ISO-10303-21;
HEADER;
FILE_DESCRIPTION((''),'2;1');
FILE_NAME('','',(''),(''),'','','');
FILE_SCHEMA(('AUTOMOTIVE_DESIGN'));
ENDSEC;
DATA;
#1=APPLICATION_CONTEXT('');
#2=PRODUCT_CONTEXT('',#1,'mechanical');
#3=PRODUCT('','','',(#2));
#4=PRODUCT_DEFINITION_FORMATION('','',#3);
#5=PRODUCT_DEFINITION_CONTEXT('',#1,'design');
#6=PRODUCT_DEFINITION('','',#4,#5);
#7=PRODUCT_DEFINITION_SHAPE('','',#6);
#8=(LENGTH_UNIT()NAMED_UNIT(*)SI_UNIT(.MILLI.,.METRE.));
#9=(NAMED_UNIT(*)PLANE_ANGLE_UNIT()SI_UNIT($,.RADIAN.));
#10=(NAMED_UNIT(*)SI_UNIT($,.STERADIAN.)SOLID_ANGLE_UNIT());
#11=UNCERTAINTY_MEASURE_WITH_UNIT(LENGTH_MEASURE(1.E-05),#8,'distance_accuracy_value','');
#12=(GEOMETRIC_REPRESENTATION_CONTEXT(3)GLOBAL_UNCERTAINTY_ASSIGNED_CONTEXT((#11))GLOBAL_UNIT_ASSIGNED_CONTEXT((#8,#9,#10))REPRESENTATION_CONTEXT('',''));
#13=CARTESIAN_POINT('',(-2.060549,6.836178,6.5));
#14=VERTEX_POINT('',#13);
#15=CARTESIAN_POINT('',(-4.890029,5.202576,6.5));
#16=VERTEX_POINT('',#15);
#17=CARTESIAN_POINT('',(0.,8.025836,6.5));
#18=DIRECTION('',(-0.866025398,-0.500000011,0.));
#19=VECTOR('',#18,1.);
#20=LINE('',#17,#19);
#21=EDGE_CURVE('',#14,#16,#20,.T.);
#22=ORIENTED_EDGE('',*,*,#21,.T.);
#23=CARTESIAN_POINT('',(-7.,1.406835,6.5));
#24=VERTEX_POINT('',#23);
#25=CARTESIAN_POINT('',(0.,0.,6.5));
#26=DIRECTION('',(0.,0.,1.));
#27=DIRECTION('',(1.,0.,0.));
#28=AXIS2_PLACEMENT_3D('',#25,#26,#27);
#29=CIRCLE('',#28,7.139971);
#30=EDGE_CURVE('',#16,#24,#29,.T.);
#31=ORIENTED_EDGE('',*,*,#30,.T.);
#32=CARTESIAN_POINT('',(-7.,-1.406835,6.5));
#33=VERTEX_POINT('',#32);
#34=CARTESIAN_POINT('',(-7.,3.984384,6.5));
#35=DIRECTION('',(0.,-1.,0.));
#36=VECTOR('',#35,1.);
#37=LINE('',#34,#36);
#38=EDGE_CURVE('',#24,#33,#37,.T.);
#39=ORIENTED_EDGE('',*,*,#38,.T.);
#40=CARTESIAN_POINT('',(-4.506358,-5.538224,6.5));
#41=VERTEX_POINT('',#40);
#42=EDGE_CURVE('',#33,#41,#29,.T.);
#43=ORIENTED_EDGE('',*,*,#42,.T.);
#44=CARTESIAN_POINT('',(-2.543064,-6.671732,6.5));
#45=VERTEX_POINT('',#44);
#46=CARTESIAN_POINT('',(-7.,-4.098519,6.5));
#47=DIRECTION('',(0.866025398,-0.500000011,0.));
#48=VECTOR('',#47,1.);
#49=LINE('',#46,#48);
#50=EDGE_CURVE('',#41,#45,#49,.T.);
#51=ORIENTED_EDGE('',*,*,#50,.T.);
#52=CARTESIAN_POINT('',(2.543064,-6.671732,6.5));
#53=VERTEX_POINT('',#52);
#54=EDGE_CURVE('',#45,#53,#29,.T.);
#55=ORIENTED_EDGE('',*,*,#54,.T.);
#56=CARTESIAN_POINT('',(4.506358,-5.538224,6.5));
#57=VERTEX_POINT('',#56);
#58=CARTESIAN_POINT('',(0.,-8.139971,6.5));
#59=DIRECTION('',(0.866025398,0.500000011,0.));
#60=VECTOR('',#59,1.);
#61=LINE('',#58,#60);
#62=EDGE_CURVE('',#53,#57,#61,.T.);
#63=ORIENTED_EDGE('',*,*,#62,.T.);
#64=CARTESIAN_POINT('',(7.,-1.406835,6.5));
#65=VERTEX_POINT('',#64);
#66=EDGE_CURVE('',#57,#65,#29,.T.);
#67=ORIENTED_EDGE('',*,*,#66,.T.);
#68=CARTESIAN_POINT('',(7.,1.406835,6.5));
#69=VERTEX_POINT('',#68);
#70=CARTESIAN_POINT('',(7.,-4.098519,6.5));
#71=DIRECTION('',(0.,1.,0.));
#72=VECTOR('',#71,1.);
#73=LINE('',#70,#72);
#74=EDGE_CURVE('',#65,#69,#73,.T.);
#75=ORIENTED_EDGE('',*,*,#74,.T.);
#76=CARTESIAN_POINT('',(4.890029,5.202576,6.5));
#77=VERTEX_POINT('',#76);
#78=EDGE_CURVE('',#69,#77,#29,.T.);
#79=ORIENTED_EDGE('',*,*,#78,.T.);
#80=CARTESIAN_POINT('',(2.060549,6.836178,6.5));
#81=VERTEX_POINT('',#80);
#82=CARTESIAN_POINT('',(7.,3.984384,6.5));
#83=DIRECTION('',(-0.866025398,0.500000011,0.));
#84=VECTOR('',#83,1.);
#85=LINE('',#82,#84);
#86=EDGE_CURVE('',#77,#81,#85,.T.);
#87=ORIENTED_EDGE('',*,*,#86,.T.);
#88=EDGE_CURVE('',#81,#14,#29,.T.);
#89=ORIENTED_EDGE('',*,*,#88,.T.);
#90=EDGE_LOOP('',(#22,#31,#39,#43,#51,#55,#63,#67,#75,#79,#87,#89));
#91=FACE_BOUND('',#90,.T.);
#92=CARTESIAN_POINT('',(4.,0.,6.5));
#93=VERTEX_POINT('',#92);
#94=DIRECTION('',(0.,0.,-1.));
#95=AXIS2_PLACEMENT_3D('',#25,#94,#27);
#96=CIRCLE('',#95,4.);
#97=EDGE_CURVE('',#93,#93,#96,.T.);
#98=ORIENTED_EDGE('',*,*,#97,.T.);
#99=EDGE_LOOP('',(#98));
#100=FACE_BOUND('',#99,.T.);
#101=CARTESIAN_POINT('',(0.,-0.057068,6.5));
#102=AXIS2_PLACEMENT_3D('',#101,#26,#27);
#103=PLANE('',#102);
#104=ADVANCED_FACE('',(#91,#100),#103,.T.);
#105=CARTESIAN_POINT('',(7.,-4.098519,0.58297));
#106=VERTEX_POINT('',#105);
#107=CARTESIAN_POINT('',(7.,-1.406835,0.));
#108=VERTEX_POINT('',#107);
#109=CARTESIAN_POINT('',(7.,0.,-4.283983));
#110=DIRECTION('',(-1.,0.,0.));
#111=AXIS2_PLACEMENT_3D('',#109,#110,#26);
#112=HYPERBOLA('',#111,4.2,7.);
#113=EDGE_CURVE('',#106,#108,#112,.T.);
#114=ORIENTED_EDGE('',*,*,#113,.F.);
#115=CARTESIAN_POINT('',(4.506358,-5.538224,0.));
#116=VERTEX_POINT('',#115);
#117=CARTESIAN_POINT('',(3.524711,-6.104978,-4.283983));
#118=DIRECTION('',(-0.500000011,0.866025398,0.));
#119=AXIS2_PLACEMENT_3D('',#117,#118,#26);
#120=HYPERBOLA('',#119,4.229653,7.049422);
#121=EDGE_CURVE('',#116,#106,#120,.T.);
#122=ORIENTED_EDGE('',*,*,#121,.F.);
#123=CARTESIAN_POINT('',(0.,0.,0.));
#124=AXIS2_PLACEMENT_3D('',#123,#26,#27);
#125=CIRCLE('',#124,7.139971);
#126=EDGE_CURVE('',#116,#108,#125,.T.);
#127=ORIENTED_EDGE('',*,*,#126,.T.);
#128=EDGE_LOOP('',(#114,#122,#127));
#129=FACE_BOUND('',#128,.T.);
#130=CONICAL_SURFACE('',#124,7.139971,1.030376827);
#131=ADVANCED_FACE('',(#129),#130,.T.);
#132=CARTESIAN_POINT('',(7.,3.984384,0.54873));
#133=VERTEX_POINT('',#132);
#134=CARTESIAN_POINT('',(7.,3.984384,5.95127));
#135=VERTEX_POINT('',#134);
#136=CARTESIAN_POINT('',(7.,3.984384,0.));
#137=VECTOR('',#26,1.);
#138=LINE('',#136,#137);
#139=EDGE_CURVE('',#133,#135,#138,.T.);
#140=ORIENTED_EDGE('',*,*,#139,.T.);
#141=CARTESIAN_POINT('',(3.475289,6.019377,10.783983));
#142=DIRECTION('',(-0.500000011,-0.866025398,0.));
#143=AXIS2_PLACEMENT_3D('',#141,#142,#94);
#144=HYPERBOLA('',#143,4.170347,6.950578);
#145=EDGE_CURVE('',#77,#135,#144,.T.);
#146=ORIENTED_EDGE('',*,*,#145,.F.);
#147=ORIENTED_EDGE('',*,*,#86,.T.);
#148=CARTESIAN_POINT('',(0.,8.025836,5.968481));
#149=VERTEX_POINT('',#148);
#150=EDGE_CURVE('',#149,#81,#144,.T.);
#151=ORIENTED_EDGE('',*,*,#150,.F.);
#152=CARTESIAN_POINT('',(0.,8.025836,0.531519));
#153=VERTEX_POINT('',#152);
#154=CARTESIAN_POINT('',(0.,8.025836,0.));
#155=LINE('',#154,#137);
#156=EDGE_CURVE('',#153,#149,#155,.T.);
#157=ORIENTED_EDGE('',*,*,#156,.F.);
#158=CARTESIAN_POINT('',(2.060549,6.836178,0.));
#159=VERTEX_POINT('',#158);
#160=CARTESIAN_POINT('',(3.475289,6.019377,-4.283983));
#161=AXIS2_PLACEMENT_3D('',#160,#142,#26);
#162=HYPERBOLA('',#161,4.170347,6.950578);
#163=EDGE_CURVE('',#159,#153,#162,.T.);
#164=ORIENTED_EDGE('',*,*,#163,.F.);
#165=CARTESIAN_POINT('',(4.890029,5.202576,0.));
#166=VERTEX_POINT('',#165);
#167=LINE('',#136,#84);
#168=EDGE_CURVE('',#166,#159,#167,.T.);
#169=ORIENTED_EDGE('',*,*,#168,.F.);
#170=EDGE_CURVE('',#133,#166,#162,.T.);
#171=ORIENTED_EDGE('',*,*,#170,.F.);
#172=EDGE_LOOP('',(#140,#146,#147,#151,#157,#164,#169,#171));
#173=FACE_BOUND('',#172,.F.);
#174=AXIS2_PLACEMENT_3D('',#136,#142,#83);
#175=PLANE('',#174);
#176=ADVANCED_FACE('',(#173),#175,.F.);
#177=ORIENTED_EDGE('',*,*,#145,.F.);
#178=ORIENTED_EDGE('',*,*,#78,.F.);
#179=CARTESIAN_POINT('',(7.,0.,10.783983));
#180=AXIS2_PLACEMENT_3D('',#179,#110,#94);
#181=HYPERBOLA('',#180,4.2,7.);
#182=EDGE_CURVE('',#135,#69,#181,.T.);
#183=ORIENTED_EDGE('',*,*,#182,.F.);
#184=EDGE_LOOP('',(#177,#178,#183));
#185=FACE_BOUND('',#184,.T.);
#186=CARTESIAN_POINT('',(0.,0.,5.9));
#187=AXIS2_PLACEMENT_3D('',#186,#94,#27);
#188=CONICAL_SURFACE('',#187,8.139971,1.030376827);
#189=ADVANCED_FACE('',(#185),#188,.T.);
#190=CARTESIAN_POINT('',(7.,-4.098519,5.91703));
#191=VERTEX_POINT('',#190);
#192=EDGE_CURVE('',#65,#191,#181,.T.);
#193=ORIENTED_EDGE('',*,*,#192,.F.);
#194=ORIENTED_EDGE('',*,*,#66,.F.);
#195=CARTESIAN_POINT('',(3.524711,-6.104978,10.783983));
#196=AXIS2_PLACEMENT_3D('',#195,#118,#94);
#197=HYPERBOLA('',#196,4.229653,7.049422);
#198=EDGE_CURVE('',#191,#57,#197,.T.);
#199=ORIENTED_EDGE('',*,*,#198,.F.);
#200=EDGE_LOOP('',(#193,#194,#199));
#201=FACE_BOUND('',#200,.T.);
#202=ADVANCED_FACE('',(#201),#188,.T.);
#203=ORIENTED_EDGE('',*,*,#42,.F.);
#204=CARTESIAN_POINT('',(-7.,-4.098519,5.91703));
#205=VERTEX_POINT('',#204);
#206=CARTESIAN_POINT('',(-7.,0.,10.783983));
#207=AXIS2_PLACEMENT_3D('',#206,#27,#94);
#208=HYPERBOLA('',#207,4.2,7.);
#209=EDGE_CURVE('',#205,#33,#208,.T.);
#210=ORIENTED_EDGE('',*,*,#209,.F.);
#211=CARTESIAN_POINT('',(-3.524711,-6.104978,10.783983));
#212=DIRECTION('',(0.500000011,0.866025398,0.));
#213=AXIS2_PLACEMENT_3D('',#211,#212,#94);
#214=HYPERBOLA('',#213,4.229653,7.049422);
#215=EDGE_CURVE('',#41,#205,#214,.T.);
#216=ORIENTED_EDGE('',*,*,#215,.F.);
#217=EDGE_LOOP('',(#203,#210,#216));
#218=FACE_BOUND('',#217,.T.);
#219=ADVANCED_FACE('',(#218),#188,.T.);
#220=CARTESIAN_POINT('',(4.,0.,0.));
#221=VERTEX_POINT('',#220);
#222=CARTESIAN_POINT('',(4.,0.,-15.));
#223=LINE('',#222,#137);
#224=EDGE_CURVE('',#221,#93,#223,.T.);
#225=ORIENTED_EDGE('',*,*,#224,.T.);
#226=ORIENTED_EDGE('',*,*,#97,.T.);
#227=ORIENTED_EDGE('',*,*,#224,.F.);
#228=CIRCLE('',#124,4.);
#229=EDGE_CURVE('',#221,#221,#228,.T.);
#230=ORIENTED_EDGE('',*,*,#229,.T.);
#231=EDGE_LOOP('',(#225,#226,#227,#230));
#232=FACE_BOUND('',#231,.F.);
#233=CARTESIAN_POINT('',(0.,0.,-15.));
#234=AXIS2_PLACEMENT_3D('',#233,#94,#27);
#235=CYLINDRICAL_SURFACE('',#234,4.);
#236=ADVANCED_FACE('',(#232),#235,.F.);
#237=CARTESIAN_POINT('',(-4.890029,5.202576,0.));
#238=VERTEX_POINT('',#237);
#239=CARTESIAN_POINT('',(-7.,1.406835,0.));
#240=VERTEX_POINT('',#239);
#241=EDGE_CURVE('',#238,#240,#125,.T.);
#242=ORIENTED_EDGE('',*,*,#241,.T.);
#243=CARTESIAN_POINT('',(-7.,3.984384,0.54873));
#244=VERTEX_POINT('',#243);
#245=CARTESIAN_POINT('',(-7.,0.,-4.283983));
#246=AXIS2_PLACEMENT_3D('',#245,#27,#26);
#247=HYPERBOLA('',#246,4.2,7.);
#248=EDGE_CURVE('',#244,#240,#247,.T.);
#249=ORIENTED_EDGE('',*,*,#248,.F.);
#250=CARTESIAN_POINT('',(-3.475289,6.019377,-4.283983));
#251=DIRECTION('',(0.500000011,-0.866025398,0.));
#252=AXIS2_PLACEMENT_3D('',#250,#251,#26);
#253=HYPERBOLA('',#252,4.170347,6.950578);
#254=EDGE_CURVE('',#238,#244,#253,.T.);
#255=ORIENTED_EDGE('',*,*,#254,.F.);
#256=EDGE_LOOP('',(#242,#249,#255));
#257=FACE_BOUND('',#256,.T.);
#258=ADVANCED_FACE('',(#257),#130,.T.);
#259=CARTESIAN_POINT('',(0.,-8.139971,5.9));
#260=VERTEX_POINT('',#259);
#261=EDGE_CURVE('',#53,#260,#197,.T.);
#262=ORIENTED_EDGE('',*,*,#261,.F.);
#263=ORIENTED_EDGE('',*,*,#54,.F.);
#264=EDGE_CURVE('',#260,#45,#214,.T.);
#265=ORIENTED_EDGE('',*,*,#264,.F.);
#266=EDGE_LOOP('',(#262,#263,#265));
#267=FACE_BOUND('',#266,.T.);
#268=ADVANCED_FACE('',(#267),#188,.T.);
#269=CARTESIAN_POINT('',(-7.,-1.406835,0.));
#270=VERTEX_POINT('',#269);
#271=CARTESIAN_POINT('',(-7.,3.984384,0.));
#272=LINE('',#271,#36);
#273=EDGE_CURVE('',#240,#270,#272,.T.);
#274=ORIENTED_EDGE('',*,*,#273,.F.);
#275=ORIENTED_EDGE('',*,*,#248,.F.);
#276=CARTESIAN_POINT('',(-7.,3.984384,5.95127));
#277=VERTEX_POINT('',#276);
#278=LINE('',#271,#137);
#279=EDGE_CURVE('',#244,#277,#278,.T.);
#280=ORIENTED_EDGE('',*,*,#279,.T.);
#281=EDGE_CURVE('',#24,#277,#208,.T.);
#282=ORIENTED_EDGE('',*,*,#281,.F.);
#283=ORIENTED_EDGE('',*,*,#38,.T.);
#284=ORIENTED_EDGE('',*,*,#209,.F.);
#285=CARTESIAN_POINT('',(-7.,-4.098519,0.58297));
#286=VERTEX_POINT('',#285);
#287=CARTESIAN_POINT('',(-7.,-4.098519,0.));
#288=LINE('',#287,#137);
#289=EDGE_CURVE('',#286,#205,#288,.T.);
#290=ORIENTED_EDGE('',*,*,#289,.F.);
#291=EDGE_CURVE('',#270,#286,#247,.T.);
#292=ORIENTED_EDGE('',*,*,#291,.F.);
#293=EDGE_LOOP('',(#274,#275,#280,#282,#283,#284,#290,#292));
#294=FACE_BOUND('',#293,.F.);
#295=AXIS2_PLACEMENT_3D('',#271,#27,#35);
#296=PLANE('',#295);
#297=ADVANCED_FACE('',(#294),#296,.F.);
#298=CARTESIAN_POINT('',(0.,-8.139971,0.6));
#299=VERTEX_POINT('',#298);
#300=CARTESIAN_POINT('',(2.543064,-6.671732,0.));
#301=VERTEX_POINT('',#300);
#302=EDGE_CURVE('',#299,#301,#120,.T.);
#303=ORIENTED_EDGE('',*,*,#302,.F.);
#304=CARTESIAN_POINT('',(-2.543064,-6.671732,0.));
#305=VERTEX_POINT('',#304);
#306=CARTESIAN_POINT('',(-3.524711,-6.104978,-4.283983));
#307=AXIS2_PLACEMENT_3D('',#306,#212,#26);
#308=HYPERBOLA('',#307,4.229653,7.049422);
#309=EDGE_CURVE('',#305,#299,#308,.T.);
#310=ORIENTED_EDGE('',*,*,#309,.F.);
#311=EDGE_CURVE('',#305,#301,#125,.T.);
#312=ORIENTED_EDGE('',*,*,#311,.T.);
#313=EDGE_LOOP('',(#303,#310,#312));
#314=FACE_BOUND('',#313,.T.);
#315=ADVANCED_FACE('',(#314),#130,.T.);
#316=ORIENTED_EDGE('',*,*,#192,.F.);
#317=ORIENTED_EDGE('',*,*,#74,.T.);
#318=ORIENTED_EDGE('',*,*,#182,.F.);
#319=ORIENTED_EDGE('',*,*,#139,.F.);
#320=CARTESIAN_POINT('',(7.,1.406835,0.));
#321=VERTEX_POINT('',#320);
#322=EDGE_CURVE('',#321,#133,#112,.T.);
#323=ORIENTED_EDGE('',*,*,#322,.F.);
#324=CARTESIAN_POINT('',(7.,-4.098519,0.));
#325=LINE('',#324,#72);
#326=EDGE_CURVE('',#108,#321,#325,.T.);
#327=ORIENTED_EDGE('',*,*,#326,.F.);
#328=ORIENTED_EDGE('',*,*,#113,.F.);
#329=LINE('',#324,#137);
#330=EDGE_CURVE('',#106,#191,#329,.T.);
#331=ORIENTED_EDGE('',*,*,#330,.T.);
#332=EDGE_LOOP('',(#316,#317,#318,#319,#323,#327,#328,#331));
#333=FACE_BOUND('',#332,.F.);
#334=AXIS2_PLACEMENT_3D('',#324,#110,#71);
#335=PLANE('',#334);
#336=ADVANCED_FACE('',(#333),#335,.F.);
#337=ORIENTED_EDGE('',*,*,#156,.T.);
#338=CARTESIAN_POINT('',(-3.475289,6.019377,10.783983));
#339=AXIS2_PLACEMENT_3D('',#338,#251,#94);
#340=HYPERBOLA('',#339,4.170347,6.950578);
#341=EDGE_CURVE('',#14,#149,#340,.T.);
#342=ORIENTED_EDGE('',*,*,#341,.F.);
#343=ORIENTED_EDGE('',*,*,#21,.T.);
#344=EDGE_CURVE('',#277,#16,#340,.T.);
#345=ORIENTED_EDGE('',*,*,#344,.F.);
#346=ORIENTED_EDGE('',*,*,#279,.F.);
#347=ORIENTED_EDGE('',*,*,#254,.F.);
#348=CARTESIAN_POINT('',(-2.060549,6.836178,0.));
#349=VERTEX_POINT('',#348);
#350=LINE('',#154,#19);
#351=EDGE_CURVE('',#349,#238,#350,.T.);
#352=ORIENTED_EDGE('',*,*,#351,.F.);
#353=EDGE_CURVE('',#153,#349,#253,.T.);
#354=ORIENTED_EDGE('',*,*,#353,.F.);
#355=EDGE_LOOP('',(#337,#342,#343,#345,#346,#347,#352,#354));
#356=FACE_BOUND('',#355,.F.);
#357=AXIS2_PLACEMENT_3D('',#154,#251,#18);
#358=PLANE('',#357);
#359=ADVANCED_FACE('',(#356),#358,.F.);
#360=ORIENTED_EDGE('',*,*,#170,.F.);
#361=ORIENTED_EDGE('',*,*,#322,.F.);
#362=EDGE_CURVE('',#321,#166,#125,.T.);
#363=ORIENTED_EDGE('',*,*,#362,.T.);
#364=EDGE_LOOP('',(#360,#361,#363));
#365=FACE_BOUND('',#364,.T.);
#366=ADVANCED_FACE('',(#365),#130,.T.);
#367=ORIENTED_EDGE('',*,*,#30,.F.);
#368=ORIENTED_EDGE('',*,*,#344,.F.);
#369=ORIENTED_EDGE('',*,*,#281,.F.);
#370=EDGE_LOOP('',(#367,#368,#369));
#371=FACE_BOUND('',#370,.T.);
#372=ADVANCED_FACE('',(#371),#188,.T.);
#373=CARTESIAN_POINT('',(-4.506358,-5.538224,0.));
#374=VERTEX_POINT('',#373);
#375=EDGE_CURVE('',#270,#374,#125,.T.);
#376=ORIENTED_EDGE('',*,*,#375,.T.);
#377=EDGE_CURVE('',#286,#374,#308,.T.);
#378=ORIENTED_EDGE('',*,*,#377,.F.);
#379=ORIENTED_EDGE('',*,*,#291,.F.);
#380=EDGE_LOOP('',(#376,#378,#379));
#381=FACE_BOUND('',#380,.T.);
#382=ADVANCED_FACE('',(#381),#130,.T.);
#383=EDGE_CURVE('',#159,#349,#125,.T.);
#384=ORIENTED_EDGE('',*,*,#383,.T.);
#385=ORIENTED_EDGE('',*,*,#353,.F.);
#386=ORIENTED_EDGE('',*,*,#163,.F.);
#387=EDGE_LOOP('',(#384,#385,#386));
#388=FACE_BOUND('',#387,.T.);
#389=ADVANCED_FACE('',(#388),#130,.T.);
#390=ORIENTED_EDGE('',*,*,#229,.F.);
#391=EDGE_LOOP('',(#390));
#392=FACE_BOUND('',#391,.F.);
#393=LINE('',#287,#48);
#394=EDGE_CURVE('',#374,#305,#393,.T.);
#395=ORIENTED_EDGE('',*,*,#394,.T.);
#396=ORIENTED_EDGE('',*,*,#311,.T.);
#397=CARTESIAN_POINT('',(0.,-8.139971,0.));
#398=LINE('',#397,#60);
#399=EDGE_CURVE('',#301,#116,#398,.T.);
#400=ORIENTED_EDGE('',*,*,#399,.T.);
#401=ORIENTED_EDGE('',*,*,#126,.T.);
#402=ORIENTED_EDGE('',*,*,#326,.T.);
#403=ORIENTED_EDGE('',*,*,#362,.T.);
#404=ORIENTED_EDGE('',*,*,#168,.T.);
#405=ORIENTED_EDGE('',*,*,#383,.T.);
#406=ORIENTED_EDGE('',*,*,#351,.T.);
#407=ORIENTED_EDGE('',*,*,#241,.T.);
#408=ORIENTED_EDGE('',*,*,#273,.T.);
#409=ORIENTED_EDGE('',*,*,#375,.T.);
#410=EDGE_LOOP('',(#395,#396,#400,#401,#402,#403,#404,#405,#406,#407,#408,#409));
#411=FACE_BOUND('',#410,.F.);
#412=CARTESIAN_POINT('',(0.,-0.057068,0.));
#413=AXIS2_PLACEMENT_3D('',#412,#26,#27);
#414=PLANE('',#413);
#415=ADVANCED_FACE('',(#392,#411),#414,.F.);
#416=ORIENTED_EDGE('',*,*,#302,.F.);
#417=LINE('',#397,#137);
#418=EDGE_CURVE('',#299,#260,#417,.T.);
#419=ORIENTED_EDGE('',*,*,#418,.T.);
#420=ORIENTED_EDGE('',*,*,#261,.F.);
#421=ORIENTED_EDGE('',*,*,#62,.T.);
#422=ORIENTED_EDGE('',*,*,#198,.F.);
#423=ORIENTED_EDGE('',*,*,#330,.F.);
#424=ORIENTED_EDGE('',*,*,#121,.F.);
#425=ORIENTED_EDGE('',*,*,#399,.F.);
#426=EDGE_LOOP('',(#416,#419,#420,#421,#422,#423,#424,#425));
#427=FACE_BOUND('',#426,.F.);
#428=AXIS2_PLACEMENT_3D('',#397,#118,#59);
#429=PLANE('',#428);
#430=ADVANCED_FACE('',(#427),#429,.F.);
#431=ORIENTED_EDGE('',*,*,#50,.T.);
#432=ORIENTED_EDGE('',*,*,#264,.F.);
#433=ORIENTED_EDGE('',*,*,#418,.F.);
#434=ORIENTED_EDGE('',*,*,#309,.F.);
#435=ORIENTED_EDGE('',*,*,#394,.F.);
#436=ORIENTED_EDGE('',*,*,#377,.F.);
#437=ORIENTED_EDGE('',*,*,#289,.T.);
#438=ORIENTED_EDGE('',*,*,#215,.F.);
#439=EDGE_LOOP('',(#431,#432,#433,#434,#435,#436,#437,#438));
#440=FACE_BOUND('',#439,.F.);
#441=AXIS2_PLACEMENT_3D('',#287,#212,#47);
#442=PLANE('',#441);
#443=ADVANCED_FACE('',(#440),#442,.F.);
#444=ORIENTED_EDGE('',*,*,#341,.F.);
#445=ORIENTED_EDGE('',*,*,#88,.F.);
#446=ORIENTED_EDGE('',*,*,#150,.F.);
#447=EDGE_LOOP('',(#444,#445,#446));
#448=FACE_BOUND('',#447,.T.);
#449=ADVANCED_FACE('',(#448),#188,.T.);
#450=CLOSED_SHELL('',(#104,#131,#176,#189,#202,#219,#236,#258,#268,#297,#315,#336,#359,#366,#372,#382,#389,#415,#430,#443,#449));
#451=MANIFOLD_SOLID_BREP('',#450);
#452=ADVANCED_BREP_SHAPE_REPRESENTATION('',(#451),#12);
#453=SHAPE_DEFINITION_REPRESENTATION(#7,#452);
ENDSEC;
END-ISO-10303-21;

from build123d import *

# Parameters (mm, degrees)
F0_R     = 4
F1_DEPTH = 15
F3_DEPTH = 6.5
F7_R     = 4
F8_DEPTH = 21.5


with BuildPart() as f1:
    # F0 (on Top) → F1 (new body)
    with BuildSketch(Plane.XY):
        Circle(F0_R)
    extrude(amount=-F1_DEPTH)

    # F2 (on Top) → F3 (join)
    with BuildSketch(Plane.XY):
        Polygon((7, 3.984384), (0, 8.025836), (-7, 3.984384), (-7, -4.098519), (0, -8.139971), (7, -4.098519), align=None)
    extrude(amount=F3_DEPTH)

    # F6: sweep along a path in F5
    with BuildLine(Plane.XY.offset(6.5)) as f6_path:
        CenterArc((0, 0), 8.139971, 0, 360)
    # F4 (on Right) → F6 (sweep, cut)
    with BuildSketch(Plane.YZ):
        Polygon((-8.139971, 5.9), (-7.139971, 6.5), (-8.139971, 6.5), align=None)
        Polygon((-7.139971, 0), (-8.139971, 0.6), (-8.139971, 0), align=None)
    sweep(path=f6_path.line, mode=Mode.SUBTRACT)

    # F7 (on face) → F8 (cut, through all)
    with BuildSketch(Plane(origin=(0, 0, -15), x_dir=(1, 0, 0), z_dir=(0, 0, -1))):
        Circle(F7_R)
    extrude(amount=-F8_DEPTH, mode=Mode.SUBTRACT)


solid = f1.part
